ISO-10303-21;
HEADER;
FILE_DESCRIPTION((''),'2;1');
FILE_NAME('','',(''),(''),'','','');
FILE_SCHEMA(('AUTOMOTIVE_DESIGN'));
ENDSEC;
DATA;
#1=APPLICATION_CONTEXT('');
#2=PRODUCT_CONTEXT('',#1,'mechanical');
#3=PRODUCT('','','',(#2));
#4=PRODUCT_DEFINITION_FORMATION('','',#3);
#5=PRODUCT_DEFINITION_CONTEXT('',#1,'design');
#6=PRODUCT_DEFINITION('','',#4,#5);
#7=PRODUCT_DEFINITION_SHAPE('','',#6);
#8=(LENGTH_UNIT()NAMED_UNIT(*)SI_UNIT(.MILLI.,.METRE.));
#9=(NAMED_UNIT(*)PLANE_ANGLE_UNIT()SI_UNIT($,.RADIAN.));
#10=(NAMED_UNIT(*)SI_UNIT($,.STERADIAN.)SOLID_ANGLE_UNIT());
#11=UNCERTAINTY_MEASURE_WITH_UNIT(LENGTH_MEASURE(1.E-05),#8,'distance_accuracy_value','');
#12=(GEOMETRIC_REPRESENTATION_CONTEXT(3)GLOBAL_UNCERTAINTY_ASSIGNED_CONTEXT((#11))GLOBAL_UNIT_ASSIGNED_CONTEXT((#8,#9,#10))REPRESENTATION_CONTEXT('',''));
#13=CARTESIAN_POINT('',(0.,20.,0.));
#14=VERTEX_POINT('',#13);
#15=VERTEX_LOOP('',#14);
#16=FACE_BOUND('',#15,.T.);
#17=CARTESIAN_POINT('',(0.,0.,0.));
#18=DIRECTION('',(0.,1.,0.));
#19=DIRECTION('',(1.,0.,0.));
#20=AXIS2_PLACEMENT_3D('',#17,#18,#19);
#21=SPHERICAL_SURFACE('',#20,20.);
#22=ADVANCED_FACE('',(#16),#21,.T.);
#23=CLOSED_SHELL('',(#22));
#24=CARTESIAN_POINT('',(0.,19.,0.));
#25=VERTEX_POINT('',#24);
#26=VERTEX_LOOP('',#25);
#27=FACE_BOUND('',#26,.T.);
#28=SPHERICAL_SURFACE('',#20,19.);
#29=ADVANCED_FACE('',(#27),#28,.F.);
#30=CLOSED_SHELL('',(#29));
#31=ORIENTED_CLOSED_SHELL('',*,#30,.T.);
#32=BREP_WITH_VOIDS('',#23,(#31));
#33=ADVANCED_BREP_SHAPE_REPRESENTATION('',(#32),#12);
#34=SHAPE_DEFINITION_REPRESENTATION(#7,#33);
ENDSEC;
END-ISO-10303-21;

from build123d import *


with BuildPart() as part:
    # PingPongBallSketch → PingPongBall (revolve)
    with BuildSketch(Plane.XY):
        with BuildLine():
            Line((0, 20), (0, 19))
            ThreePointArc((0, 19), (19, 0), (0, -19))
            Line((0, -19), (0, -20))
            ThreePointArc((0, -20), (20, 0), (0, 20))
        make_face()
    revolve(axis=Axis((0, 15.019132191, 0), (0, -1, 0)))


solid = part.part
